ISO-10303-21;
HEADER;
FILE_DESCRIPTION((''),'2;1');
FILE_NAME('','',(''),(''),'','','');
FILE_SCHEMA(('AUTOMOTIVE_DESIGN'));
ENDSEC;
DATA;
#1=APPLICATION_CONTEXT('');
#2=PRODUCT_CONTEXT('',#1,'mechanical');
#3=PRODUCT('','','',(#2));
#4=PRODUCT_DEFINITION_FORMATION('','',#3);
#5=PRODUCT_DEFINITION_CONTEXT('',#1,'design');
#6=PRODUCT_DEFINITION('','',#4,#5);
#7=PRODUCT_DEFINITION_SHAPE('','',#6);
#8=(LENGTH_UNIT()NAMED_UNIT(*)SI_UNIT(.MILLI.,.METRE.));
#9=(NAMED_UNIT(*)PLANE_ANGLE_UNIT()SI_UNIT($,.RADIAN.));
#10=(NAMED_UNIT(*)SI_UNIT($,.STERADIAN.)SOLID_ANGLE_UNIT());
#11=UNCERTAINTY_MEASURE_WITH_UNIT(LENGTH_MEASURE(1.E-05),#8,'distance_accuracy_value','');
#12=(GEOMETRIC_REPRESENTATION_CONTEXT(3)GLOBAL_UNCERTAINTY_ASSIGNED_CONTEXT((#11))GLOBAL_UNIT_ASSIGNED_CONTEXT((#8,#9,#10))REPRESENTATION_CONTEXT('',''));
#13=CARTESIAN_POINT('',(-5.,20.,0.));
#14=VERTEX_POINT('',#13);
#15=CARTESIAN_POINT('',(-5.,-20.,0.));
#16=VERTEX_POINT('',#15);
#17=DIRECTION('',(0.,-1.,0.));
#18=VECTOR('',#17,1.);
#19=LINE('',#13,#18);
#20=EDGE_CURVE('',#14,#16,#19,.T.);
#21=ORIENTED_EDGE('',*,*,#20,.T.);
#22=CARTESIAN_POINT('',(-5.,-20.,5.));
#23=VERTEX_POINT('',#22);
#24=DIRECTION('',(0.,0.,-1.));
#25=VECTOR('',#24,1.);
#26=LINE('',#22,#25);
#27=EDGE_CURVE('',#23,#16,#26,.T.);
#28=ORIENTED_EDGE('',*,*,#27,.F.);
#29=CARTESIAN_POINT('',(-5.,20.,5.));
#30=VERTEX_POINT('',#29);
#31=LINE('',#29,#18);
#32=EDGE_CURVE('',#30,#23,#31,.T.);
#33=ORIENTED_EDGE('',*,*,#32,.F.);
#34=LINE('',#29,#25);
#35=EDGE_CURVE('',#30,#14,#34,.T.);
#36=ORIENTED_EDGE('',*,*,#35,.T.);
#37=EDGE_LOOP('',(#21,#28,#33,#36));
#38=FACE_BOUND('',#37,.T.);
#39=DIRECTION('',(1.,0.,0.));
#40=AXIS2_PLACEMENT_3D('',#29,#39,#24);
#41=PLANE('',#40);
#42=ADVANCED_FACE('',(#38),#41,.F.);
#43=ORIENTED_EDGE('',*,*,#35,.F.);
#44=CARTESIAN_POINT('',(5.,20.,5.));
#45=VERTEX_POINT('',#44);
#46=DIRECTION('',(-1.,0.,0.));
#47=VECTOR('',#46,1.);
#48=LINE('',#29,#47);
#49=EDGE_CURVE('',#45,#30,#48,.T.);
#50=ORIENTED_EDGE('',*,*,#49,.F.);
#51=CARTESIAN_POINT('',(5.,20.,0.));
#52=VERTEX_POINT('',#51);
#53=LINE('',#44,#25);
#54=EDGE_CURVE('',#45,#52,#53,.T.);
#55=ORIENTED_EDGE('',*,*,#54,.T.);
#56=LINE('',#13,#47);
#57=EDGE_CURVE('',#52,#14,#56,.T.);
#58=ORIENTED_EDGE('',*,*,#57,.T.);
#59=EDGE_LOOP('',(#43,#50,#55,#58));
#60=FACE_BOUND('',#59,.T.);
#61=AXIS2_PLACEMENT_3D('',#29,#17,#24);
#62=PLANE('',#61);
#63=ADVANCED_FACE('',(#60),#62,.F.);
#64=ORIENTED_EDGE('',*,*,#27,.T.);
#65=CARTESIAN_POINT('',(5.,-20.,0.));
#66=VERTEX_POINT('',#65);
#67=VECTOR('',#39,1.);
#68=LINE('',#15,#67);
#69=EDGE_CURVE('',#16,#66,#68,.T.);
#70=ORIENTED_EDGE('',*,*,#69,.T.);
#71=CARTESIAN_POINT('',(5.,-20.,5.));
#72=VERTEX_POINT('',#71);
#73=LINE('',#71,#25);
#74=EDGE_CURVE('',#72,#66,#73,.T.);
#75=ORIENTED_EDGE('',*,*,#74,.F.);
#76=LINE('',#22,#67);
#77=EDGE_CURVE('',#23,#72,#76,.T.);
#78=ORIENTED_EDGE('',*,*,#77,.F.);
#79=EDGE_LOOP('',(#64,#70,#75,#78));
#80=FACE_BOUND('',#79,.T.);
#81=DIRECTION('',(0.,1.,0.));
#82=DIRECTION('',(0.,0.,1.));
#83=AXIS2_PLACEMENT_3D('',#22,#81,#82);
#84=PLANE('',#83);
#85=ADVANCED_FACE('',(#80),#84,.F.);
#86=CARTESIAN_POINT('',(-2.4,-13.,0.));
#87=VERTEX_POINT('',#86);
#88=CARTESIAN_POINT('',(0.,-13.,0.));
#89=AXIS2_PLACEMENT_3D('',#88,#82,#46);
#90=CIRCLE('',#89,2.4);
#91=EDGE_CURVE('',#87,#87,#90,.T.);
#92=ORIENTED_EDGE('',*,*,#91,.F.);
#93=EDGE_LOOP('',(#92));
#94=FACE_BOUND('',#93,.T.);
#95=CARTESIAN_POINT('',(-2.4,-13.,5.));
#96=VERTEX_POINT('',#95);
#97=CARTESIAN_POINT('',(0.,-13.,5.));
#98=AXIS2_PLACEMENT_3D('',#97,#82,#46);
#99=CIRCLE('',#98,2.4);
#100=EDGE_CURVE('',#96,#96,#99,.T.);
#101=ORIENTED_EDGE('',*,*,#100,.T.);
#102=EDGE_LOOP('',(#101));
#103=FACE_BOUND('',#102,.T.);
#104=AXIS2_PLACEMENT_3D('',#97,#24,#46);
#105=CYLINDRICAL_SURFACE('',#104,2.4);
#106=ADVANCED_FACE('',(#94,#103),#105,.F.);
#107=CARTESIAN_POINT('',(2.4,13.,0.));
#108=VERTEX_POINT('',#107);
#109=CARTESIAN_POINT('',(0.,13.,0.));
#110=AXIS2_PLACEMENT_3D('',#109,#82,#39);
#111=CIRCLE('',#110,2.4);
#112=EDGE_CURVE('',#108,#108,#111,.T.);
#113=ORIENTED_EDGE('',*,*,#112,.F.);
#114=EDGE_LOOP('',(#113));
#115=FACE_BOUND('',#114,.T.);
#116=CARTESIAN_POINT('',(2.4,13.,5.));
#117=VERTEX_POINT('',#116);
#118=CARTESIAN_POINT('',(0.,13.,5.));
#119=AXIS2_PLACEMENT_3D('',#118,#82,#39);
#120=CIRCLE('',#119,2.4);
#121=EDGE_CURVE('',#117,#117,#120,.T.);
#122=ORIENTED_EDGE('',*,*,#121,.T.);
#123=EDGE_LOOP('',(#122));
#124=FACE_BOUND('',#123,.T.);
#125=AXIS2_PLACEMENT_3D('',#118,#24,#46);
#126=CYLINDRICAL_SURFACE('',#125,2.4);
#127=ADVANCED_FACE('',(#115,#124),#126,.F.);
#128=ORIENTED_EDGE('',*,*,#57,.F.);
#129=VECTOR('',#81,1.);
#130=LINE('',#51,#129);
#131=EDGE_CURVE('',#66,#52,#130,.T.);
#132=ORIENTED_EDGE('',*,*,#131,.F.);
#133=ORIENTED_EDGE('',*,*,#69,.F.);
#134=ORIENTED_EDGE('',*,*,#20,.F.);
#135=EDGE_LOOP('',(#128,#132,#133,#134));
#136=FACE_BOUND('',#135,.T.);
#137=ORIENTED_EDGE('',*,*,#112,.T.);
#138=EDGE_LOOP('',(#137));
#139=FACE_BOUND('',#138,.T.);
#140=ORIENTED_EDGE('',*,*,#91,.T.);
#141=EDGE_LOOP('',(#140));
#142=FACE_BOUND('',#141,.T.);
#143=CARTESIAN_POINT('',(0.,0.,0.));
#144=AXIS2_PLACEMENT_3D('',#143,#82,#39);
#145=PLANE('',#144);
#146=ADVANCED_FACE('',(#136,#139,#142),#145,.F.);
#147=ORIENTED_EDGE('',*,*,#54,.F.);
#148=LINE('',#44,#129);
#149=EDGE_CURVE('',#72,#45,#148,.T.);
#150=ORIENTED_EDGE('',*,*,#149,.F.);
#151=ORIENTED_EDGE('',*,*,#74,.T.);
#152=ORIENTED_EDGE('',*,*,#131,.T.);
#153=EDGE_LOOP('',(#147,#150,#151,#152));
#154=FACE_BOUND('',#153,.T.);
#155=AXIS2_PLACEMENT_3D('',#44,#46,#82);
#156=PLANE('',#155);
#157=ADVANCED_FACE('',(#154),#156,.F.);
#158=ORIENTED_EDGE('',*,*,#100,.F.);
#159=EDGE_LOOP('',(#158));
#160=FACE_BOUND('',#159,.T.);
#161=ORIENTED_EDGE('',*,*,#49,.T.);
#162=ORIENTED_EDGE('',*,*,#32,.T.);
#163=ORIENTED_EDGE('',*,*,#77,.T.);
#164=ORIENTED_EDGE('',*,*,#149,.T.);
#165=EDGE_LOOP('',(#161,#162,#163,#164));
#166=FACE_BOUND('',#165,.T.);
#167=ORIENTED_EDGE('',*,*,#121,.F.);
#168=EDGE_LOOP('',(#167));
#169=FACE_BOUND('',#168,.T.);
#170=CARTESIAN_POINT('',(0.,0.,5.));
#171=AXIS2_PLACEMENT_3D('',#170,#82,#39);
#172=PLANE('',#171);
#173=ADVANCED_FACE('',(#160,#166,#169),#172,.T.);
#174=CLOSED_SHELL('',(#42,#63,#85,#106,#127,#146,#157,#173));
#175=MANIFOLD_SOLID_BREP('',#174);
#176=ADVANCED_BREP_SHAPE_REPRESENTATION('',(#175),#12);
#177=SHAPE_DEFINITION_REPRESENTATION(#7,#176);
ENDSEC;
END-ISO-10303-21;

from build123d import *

# Parameters (mm, degrees)
SKETCH1_W           = 10
SKETCH1_H           = 40
SKETCH1_R           = 2.4
BOSS_EXTRUDE1_DEPTH = 5


with BuildPart() as part:
    # Sketch1 → Boss-Extrude1 (new body)
    with BuildSketch(Plane.XY):
        Rectangle(SKETCH1_W, SKETCH1_H)
        with Locations((0, 13)):
            Circle(SKETCH1_R, mode=Mode.SUBTRACT)
        with Locations((0, -13)):
            Circle(SKETCH1_R, mode=Mode.SUBTRACT)
    extrude(amount=BOSS_EXTRUDE1_DEPTH)


solid = part.part
